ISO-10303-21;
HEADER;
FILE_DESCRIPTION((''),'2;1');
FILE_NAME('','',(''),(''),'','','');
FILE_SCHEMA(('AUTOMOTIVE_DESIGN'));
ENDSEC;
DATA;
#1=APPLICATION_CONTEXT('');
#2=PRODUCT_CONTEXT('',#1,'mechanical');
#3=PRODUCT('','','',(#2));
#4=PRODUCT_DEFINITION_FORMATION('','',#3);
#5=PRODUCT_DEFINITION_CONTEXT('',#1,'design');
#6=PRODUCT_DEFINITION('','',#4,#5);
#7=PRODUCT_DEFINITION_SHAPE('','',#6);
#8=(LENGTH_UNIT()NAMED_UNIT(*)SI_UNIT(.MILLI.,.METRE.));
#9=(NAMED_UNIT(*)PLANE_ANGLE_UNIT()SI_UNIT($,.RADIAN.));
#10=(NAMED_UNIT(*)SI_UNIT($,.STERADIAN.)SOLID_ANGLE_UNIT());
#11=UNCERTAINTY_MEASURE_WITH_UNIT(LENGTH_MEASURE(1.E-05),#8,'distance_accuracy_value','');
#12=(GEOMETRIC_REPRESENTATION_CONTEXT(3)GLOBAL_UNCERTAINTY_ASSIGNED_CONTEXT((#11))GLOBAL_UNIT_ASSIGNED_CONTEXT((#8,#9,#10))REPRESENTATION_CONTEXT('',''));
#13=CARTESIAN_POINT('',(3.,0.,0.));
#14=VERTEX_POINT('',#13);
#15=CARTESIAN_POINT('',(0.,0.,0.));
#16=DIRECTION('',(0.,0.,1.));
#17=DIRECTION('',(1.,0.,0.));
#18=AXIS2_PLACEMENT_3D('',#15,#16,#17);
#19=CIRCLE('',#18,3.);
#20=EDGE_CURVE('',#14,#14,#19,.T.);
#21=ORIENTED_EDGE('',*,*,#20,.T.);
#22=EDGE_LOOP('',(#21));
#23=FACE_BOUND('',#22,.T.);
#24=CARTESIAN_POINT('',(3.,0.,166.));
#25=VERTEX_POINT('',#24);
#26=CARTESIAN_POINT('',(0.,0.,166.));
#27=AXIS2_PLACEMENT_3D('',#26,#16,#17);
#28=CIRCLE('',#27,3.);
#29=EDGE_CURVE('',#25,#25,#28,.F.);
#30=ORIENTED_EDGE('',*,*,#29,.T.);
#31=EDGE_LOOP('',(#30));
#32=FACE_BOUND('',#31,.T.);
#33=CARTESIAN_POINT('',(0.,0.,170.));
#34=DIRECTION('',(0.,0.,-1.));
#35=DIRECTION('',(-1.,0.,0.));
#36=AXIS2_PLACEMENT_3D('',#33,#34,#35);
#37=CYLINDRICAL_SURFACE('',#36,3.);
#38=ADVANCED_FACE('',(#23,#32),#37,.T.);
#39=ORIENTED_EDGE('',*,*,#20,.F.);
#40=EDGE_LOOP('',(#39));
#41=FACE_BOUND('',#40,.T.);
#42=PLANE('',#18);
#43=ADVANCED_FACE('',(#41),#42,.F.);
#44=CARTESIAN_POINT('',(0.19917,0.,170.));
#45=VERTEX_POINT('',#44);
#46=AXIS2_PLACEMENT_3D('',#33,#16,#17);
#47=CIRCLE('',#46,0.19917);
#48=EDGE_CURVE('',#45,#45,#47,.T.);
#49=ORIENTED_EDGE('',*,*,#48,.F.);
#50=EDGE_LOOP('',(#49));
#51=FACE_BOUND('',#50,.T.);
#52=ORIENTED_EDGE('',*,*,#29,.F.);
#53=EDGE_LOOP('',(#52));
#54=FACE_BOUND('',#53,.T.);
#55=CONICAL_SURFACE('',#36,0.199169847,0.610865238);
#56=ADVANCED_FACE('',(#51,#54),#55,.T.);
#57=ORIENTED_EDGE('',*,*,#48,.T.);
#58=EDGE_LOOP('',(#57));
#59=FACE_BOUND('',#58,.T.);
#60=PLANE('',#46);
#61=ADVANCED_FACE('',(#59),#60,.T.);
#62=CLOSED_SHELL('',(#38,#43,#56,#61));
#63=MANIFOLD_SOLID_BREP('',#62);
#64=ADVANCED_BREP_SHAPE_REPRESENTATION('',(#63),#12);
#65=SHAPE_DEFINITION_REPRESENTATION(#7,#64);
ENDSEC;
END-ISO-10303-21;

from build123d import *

# Parameters (mm, degrees)
SKICA1_R        = 3
VYSUNOUT1_DEPTH = 170
ZKOSIT1_SIZE    = 4
ZKOSIT1_SIZE2   = 2.800830153


with BuildPart() as part:
    # Skica1 → Vysunout1 (new body)
    with BuildSketch(Plane.XY):
        Circle(SKICA1_R)
    extrude(amount=VYSUNOUT1_DEPTH)

    # Zkosit1
    zkosit1_edges = [part.edges().sort_by_distance(p)[0] for p in [
        (-3, 0, 170),
    ]]
    zkosit1_side = [part.faces().sort_by_distance(p)[0] for p in [
        (-3, 0, 85),
    ]]
    chamfer(zkosit1_edges, length=ZKOSIT1_SIZE, length2=ZKOSIT1_SIZE2, reference=zkosit1_side[0])


solid = part.part
